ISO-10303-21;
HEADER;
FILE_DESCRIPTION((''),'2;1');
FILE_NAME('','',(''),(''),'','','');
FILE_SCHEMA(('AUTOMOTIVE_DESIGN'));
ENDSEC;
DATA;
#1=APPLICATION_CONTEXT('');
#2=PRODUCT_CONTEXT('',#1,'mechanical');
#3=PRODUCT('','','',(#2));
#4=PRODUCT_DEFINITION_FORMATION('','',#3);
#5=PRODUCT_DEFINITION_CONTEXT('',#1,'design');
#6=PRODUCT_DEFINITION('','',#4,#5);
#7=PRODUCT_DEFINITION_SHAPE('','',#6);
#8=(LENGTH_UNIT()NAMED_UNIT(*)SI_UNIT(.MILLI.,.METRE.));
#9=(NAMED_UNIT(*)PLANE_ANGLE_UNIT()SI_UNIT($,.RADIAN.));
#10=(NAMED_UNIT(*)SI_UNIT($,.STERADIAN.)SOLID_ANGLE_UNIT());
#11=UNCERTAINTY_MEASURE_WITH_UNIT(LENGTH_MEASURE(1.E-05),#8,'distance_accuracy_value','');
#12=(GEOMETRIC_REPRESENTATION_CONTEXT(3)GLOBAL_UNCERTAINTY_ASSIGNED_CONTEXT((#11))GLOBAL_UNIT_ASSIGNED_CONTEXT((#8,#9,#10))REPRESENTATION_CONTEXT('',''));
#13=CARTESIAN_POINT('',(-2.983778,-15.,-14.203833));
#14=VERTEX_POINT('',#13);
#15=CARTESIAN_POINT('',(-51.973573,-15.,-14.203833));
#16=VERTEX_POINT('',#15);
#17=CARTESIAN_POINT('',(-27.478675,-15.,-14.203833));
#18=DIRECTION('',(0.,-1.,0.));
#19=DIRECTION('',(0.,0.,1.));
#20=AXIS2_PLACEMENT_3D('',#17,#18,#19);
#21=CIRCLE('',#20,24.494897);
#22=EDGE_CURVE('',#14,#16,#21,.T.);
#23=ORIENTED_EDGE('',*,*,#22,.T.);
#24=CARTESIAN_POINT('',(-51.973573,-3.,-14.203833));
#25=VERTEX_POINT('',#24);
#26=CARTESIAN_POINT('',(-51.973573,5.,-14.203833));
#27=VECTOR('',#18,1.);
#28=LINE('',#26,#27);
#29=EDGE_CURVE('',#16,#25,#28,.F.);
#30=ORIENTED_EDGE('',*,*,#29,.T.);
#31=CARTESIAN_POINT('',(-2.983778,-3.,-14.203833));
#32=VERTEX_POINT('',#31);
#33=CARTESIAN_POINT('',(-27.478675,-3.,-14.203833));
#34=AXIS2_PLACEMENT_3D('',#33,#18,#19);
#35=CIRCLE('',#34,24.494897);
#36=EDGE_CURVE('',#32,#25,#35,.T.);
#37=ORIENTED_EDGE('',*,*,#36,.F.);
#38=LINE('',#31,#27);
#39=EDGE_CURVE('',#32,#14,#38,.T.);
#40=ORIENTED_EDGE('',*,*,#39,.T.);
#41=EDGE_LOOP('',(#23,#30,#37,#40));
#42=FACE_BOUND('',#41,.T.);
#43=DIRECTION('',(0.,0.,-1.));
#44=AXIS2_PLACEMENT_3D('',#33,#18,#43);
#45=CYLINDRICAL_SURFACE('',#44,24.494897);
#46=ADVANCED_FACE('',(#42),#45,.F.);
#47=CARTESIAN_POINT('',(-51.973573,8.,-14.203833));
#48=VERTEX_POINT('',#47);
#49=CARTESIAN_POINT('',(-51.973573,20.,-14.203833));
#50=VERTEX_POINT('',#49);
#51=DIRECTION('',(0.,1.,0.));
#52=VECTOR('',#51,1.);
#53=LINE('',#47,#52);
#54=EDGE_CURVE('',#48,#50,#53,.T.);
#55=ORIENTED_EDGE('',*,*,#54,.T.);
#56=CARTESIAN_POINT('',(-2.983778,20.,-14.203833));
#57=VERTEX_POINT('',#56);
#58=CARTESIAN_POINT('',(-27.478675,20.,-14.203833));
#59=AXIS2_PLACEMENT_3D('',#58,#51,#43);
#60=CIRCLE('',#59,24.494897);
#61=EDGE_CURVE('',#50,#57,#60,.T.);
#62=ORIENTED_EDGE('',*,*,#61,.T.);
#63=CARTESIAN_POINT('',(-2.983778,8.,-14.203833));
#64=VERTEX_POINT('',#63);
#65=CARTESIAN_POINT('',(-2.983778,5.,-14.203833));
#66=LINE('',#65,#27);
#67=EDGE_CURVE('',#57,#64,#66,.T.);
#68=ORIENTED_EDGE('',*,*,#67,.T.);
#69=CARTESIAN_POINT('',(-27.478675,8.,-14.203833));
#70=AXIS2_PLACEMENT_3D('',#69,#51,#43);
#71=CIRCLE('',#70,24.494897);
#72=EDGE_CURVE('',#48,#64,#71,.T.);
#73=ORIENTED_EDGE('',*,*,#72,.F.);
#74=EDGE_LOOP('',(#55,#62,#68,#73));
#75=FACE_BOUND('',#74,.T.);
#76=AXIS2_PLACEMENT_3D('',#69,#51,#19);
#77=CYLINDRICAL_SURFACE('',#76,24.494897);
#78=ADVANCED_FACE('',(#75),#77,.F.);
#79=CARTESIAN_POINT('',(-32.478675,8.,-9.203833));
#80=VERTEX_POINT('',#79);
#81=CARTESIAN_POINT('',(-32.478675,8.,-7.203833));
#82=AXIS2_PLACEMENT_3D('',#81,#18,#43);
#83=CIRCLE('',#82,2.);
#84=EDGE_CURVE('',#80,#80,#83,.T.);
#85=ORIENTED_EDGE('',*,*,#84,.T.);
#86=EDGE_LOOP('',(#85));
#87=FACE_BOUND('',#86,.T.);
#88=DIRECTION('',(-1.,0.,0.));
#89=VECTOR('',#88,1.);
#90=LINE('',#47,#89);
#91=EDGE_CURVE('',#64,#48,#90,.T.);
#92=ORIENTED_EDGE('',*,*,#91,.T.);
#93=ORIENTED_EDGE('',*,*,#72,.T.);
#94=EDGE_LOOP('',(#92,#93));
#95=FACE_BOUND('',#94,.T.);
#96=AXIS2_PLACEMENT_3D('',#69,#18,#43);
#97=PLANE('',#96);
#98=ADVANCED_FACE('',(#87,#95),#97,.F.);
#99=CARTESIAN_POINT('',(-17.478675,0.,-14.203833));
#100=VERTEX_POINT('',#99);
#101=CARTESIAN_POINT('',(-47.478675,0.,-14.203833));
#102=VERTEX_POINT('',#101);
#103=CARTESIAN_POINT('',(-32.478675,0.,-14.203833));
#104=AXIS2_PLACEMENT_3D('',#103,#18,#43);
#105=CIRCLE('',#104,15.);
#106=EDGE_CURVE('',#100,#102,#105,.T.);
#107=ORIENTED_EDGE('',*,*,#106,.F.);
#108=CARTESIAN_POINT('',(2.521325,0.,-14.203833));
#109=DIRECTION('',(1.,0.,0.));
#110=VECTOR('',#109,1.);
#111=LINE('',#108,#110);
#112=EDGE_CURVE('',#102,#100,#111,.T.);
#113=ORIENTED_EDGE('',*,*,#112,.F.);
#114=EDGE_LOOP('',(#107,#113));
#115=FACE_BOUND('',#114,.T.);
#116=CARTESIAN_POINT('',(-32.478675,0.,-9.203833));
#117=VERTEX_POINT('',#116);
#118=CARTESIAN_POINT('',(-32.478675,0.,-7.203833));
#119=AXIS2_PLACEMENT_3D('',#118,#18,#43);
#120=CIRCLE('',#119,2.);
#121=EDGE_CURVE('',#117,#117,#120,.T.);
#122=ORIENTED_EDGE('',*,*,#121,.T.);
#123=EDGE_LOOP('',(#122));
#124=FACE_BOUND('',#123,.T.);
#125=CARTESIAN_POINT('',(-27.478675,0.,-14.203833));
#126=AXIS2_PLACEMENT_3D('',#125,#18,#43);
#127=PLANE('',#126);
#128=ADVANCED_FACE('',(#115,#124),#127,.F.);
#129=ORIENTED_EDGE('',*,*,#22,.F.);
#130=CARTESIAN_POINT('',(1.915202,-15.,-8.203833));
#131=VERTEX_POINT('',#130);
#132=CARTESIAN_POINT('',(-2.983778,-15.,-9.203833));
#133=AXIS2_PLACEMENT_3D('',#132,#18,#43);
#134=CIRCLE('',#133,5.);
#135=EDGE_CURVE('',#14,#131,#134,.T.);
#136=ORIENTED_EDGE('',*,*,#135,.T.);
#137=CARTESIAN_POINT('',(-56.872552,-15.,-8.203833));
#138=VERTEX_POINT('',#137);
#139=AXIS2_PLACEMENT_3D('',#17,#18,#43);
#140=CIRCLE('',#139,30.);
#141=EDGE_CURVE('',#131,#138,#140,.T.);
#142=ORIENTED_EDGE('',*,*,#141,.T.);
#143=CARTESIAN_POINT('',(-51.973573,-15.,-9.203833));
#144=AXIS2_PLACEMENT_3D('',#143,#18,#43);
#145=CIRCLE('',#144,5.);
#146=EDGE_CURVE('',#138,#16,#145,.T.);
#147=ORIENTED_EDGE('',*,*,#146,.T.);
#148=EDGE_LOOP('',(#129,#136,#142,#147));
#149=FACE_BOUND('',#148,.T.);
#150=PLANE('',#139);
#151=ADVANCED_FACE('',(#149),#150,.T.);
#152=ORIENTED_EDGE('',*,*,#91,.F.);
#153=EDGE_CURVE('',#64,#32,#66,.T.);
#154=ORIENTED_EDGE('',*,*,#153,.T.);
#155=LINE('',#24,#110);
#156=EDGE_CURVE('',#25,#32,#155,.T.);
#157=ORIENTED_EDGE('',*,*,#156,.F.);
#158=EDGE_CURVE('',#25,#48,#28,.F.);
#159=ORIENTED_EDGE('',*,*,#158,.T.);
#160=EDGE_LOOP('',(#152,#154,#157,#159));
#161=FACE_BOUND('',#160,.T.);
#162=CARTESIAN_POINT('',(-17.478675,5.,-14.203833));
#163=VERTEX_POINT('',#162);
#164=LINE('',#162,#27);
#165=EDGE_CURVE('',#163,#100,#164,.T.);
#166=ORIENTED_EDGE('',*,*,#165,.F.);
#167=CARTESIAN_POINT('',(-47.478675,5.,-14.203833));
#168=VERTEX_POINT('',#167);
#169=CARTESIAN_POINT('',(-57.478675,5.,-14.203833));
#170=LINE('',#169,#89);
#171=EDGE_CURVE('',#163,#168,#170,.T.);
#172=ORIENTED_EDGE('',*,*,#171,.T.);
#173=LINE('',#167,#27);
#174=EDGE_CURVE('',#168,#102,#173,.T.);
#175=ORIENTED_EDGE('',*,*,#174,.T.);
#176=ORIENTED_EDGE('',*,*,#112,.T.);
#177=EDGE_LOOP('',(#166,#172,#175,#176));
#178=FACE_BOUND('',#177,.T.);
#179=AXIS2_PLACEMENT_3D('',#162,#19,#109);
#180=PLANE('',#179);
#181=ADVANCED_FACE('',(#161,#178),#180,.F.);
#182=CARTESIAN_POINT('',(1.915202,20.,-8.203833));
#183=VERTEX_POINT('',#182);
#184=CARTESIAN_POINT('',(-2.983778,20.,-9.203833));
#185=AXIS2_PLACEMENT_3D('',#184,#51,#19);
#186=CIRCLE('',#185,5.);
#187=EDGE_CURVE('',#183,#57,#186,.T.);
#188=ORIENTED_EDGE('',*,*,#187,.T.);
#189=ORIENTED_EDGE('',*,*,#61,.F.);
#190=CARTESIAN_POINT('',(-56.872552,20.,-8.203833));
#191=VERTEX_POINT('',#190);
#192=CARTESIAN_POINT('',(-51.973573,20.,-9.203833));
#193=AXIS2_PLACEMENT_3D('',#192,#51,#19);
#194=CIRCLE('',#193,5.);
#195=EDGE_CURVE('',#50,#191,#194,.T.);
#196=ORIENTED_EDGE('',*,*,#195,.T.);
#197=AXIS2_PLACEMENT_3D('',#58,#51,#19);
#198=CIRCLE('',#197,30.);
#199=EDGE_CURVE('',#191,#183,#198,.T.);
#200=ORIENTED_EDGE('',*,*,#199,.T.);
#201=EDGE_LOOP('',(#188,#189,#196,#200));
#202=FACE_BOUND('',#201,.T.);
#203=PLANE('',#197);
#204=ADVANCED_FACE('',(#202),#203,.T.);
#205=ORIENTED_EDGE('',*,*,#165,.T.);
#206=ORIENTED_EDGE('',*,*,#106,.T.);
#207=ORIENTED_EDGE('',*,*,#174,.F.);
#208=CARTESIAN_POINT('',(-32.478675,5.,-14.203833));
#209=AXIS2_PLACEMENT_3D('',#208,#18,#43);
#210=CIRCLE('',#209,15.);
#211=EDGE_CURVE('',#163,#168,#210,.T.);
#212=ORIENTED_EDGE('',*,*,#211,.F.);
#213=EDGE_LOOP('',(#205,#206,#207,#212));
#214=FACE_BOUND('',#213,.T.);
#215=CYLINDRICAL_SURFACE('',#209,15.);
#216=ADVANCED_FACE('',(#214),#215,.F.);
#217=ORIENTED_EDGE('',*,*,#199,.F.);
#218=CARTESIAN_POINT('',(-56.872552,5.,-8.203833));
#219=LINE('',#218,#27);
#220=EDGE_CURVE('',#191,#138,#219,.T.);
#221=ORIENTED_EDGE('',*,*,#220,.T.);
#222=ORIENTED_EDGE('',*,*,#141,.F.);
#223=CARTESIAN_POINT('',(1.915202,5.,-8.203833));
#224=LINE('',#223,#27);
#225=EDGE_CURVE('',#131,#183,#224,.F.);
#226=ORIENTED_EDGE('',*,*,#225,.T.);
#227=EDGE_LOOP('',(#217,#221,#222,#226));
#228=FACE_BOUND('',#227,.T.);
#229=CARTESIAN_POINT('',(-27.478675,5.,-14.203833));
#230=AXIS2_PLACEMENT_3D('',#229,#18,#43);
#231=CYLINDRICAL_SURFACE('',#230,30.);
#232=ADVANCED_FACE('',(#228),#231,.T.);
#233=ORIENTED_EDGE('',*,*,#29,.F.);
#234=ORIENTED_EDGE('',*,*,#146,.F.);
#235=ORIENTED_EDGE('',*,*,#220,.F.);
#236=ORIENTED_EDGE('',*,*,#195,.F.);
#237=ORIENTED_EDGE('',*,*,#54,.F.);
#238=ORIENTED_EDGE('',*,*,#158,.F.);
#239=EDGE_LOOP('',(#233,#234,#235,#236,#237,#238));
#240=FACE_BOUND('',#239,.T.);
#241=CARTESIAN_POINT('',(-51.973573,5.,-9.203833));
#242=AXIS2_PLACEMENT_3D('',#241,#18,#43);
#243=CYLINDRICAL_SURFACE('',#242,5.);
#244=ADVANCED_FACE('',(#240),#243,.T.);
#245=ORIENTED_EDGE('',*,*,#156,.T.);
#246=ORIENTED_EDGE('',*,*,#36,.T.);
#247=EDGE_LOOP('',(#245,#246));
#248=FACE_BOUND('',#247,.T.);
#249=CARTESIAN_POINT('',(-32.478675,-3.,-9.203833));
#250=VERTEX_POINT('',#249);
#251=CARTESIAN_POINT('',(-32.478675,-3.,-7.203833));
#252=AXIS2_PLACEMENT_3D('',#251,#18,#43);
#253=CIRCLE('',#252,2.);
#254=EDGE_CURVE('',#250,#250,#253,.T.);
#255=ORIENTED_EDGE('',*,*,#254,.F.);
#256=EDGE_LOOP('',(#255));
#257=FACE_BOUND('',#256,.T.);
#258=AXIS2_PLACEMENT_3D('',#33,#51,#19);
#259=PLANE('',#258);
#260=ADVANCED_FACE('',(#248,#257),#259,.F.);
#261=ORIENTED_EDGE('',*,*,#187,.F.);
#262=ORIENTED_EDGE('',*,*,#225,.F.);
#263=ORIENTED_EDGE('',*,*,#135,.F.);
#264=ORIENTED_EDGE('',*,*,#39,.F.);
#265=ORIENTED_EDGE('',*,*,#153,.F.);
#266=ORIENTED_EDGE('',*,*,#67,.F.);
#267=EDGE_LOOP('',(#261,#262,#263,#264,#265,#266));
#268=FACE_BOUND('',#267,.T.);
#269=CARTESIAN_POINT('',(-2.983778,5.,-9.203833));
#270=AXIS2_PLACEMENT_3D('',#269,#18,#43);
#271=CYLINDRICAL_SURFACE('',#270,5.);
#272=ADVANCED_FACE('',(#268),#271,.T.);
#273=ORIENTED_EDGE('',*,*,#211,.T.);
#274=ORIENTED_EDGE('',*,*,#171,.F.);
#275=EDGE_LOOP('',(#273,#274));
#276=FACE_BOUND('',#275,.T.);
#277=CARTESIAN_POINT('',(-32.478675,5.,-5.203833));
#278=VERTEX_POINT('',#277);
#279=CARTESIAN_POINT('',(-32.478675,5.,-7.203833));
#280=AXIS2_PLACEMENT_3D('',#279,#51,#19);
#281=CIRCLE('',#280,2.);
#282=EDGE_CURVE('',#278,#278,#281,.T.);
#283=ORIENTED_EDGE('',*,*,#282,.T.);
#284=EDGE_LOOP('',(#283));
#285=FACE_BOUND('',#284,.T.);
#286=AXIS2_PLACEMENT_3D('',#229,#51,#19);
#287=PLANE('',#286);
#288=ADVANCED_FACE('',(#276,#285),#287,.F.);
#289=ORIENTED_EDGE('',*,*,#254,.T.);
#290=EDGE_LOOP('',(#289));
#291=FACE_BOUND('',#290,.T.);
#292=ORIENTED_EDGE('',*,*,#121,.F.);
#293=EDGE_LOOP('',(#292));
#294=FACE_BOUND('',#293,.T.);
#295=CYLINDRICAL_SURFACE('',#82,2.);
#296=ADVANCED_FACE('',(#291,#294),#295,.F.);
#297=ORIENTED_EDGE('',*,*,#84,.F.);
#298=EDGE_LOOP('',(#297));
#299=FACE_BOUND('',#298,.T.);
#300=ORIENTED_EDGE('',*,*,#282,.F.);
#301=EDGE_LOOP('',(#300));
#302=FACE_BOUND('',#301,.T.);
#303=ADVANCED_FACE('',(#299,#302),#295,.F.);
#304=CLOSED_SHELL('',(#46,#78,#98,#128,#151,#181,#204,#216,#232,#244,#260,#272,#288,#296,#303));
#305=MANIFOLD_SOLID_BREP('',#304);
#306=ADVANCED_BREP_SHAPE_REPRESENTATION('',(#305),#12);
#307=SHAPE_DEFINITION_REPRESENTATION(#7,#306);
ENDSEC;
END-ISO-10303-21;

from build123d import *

# Parameters (mm, degrees)
BOSS_EXTRUDE1_DEPTH = 5
BOSS_EXTRUDE2_DEPTH = 15
BOSS_EXTRUDE3_START = 15
BOSS_EXTRUDE3_DEPTH = 15
FILLET2_R           = 5
FILLET3_R           = 5
CUT_EXTRUDE1_DEPTH  = 12
CUT_EXTRUDE2_START  = -12
CUT_EXTRUDE2_DEPTH  = 12
SKETCH11_R          = 2
CUT_EXTRUDE3_DEPTH  = 11


with BuildPart() as part:
    # Sketch4 → Boss-Extrude1 (new body)
    with BuildSketch(Plane(origin=(0, 0, 0), x_dir=(1, 0, 0), z_dir=(0, 1, 0))):
        with BuildLine():
            Line((-57.478675123, 14.203833226), (-47.478675123, 14.203833226))
            ThreePointArc((-47.478675123, 14.203833226), (-32.478675123, -0.796166774), (-17.478675123, 14.203833226))
            Line((-17.478675123, 14.203833226), (2.521324877, 14.203833226))
            ThreePointArc((2.521324877, 14.203833226), (-27.478675123, -15.796166774), (-57.478675123, 14.203833226))
        make_face()
    extrude(amount=BOSS_EXTRUDE1_DEPTH)

    # Sketch5 → Boss-Extrude2 (add)
    with BuildSketch(Plane(origin=(0, 5, 0), x_dir=(1, 0, 0), z_dir=(0, 1, 0))):
        with BuildLine():
            Line((-57.478675123, 14.203833226), (2.521324877, 14.203833226))
            ThreePointArc((2.521324877, 14.203833226), (-27.478675123, -15.796166774), (-57.478675123, 14.203833226))
        make_face()
    extrude(amount=BOSS_EXTRUDE2_DEPTH)

    # Sketch6 → Boss-Extrude3 (add)
    with BuildSketch(Plane.XZ.offset(BOSS_EXTRUDE3_START)):
        with BuildLine():
            Line((2.521324877, -14.203833226), (-57.478675123, -14.203833226))
            ThreePointArc((-57.478675123, -14.203833226), (-27.478675123, 15.796166774), (2.521324877, -14.203833226))
        make_face()
    extrude(amount=-BOSS_EXTRUDE3_DEPTH)

    # Fillet2
    fillet2_edges = [part.edges().sort_by_distance(p)[0] for p in [
        (2.521324877, 2.5, -14.203833226),
    ]]
    fillet(fillet2_edges, radius=FILLET2_R)

    # Fillet3
    fillet3_edges = [part.edges().sort_by_distance(p)[0] for p in [
        (-57.478675123, 2.5, -14.203833226),
    ]]
    fillet(fillet3_edges, radius=FILLET3_R)

    # Sketch8 → Cut-Extrude1 (cut)
    with BuildSketch(Plane(origin=(0, 20, 0), x_dir=(1, 0, 0), z_dir=(0, 1, 0))):
        with BuildLine():
            Line((-51.973572551, 14.203833226), (-2.983777696, 14.203833226))
            ThreePointArc((-2.983777696, 14.203833226), (-27.478675123, -10.291064201), (-51.973572551, 14.203833226))
        make_face()
    extrude(amount=-CUT_EXTRUDE1_DEPTH, mode=Mode.SUBTRACT)

    # Sketch9 → Cut-Extrude2 (cut)
    with BuildSketch(Plane.XZ.offset(15).offset(CUT_EXTRUDE2_START)):
        with BuildLine():
            Line((-51.973572551, -14.203833226), (-2.983777696, -14.203833226))
            ThreePointArc((-2.983777696, -14.203833226), (-27.478675123, 10.291064201), (-51.973572551, -14.203833226))
        make_face()
    extrude(amount=CUT_EXTRUDE2_DEPTH, mode=Mode.SUBTRACT)

    # Sketch11 → Cut-Extrude3 (cut)
    with BuildSketch(Plane.XZ.offset(3)):
        with Locations(Location((-32.478675123, -7.203833226, 0), (0, 0, 270))):
            Circle(SKETCH11_R)
    extrude(amount=-CUT_EXTRUDE3_DEPTH, mode=Mode.SUBTRACT)


solid = part.part
